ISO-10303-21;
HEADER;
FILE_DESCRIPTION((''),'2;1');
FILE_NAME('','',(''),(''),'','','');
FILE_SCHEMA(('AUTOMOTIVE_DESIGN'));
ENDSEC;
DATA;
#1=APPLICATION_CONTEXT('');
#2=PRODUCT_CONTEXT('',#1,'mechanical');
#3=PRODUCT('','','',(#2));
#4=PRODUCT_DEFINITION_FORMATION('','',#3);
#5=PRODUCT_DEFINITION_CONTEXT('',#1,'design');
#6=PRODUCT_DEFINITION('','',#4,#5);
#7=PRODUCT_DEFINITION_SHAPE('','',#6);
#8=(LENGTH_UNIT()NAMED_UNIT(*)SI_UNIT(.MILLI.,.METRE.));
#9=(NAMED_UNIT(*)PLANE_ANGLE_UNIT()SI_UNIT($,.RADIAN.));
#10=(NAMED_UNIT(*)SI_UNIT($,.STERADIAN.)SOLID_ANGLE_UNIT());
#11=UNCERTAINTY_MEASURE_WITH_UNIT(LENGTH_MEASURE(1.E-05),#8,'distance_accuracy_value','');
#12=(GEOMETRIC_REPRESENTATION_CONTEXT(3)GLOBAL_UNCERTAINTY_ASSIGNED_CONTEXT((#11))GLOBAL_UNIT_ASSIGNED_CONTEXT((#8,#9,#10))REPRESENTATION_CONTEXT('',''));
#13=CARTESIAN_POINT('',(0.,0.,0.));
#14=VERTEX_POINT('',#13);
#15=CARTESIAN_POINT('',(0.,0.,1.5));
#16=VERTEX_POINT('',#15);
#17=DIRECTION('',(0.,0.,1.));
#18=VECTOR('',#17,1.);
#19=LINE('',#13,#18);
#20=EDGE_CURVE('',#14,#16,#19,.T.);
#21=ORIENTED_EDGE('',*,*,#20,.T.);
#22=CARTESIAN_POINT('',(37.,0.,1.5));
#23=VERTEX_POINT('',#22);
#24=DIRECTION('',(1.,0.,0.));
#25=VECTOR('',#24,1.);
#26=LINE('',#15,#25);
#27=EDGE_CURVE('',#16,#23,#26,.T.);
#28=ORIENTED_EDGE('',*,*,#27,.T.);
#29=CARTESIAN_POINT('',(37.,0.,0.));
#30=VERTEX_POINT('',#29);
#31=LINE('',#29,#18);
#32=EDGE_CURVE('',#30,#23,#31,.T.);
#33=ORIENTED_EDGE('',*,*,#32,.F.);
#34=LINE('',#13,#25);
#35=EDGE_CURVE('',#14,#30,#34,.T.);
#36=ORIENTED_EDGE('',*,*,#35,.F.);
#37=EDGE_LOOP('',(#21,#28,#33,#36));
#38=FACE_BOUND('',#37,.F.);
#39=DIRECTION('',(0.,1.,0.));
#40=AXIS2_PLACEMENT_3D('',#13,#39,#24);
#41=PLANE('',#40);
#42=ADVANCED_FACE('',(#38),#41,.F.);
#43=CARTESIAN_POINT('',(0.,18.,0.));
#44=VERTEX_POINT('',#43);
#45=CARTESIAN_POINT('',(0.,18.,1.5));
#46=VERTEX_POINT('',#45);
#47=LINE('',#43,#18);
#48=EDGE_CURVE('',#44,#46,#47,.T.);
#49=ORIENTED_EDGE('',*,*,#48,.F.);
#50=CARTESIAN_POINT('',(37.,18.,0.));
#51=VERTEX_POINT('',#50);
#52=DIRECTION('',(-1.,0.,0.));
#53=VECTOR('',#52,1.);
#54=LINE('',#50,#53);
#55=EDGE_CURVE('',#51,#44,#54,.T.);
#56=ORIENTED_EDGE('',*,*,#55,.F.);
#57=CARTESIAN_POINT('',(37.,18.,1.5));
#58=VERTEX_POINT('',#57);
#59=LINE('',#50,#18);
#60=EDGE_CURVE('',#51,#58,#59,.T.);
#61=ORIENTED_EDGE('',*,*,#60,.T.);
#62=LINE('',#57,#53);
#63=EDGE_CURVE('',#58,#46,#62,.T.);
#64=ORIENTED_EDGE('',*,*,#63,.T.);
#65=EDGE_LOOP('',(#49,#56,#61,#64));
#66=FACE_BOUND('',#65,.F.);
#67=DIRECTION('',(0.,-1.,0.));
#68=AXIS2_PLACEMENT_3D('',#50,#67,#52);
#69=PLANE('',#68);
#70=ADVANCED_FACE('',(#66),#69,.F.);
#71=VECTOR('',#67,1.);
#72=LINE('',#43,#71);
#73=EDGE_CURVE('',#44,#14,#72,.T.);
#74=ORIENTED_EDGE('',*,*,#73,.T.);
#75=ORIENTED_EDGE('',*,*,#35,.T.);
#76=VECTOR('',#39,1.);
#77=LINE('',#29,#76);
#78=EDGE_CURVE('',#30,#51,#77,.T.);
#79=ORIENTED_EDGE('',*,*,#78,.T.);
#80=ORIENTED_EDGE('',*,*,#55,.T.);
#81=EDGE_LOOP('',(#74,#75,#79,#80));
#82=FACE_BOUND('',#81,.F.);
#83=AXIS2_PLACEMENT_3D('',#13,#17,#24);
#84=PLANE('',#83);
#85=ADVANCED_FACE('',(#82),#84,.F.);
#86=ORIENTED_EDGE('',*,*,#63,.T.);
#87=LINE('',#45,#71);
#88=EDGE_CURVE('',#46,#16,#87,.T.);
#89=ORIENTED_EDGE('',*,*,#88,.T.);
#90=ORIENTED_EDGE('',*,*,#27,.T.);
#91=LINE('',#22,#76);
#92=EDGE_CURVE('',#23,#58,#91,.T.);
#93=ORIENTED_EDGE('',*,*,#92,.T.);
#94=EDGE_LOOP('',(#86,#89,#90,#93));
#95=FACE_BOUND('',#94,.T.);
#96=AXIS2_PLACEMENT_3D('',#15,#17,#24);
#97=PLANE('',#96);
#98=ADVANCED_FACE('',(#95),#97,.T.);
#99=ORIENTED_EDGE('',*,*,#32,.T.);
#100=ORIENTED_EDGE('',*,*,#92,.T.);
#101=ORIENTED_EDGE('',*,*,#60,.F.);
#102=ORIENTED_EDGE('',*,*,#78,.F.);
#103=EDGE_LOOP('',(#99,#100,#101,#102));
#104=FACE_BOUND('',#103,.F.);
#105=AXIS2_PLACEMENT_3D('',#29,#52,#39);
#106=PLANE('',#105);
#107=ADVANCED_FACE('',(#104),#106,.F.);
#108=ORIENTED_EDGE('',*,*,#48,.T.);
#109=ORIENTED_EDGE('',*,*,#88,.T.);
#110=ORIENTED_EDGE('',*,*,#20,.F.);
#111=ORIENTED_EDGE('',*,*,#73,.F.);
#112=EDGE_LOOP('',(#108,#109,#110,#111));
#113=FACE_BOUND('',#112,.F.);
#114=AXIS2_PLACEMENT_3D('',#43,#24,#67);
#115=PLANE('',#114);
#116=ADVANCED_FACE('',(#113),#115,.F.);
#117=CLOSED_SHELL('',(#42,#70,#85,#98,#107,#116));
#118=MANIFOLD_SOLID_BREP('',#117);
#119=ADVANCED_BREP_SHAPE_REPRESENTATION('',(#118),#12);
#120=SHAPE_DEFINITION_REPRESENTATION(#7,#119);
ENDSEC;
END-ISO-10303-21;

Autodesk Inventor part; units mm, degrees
ref_plane "YZ Plane" through (0, 0, 0) normal (1, 0, 0) x (0, 1, 0)
ref_plane "XZ Plane" through (0, 0, 0) normal (0, 1, 0) x (-1, 0, 0)
ref_plane "XY Plane" through (0, 0, 0) normal (0, 0, 1) x (1, 0, 0)
sketch "Sketch1" plane through (0, 0, 0) normal (0, 0, 1) x (1, 0, 0)
  line L0 (0, 0) -> (37, 0)
  line L1 (37, 0) -> (37, 18)
  line L2 (37, 18) -> (0, 18)
  line L3 (0, 18) -> (0, 0)
  dimension "d0" = 37
  dimension "d1" = 18
extrude "Extrusion1" add sketch "Sketch1" along normal blind 1.5
properties part number "SeriesTab" material "Copper, Alloy"
